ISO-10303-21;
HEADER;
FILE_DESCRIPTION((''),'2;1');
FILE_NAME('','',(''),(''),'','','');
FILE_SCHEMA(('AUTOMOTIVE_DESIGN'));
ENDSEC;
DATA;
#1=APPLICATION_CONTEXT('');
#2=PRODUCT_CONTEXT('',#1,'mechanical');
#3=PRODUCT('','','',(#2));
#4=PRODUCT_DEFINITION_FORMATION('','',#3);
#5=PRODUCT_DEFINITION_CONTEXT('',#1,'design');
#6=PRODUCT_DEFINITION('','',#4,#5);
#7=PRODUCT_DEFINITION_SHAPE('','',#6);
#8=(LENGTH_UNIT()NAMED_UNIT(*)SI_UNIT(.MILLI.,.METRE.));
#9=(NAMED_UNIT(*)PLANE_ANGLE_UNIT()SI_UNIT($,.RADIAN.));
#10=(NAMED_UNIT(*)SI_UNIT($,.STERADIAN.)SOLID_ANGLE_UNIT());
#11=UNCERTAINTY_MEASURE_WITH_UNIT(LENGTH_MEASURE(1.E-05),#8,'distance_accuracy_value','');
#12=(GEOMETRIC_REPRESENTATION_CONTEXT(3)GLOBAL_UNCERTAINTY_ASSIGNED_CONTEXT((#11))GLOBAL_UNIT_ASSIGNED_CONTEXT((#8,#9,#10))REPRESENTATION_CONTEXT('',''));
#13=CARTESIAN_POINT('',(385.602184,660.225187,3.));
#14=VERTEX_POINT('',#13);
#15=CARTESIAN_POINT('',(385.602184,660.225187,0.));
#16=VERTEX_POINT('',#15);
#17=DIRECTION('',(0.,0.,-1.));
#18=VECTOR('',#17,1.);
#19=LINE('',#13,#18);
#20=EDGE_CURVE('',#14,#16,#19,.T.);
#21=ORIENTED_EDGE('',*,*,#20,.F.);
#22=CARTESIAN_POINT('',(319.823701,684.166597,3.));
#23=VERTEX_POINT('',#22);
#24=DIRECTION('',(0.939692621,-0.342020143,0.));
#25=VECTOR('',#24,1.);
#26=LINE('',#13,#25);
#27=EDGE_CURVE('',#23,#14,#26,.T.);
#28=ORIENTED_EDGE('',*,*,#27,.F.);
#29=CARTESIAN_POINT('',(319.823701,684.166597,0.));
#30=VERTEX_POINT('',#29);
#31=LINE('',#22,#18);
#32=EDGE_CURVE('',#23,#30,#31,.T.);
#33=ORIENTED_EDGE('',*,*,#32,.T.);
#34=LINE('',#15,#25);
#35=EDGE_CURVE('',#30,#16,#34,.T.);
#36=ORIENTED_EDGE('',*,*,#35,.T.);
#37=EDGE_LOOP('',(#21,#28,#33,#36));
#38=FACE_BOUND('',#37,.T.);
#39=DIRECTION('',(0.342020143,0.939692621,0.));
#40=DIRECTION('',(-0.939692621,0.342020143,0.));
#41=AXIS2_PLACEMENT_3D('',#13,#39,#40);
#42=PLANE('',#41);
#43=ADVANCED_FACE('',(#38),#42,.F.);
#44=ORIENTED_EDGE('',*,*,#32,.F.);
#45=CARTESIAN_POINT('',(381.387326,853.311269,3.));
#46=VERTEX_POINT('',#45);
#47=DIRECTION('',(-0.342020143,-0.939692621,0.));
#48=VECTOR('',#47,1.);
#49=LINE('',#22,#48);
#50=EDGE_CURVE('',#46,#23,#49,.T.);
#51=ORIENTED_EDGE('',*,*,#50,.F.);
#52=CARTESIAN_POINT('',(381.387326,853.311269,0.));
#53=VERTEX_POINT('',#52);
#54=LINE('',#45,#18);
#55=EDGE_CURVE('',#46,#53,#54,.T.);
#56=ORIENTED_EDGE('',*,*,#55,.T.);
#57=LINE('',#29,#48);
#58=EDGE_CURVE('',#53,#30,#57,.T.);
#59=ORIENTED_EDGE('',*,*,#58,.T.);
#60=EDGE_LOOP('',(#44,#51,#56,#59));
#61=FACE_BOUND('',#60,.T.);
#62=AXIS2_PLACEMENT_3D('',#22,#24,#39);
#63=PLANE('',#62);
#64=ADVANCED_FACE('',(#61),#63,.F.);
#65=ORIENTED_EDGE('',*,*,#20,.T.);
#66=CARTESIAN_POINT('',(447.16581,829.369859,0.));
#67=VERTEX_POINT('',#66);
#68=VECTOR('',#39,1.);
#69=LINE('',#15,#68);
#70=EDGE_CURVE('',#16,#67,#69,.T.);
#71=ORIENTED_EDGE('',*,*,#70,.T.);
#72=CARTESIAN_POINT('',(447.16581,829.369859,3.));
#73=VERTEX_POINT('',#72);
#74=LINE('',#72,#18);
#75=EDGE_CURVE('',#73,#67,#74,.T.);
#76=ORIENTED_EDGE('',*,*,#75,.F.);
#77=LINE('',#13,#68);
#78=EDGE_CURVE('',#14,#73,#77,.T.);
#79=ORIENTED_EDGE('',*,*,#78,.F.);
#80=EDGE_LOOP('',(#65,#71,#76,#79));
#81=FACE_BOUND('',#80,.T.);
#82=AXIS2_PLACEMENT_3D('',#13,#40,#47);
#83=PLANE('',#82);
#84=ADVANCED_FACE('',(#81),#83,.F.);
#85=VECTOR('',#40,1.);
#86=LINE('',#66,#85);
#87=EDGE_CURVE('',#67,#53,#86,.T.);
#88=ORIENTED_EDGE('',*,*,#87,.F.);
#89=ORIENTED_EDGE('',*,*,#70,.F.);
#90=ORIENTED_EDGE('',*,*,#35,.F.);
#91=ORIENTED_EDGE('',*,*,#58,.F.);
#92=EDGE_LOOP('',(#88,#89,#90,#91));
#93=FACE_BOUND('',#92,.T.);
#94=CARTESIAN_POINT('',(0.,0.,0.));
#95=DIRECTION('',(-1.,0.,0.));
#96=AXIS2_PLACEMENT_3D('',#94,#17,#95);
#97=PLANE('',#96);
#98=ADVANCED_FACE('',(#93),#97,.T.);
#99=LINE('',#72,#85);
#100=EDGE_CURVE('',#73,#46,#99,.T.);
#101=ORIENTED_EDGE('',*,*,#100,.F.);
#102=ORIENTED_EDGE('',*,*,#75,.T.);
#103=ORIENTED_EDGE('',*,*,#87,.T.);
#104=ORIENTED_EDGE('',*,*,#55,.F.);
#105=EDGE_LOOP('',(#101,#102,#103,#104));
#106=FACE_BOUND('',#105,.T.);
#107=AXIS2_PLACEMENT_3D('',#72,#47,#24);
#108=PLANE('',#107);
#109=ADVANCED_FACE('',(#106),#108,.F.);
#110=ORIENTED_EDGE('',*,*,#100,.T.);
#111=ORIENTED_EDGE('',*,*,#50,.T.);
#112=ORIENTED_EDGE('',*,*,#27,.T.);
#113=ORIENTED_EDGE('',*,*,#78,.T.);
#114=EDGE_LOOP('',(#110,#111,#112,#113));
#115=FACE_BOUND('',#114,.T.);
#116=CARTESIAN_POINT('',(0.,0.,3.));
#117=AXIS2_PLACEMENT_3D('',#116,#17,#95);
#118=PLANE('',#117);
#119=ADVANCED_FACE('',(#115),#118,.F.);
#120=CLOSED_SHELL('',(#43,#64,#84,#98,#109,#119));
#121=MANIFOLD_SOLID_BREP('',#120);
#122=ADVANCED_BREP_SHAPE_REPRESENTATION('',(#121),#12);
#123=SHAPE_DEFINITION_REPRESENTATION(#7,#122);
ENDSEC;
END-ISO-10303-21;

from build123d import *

# Parameters (mm, degrees)
EXTRUDE_1_DEPTH = 3


with BuildPart() as part:
    # 草图1 → 凸台-拉伸1 (new body)
    with BuildSketch(Plane.XY):
        Polygon((385.602183987, 660.225187332), (447.165809786, 829.369859073), (381.387326331, 853.311269106), (319.823700532, 684.166597365), align=None)
    extrude(amount=EXTRUDE_1_DEPTH)


solid = part.part
